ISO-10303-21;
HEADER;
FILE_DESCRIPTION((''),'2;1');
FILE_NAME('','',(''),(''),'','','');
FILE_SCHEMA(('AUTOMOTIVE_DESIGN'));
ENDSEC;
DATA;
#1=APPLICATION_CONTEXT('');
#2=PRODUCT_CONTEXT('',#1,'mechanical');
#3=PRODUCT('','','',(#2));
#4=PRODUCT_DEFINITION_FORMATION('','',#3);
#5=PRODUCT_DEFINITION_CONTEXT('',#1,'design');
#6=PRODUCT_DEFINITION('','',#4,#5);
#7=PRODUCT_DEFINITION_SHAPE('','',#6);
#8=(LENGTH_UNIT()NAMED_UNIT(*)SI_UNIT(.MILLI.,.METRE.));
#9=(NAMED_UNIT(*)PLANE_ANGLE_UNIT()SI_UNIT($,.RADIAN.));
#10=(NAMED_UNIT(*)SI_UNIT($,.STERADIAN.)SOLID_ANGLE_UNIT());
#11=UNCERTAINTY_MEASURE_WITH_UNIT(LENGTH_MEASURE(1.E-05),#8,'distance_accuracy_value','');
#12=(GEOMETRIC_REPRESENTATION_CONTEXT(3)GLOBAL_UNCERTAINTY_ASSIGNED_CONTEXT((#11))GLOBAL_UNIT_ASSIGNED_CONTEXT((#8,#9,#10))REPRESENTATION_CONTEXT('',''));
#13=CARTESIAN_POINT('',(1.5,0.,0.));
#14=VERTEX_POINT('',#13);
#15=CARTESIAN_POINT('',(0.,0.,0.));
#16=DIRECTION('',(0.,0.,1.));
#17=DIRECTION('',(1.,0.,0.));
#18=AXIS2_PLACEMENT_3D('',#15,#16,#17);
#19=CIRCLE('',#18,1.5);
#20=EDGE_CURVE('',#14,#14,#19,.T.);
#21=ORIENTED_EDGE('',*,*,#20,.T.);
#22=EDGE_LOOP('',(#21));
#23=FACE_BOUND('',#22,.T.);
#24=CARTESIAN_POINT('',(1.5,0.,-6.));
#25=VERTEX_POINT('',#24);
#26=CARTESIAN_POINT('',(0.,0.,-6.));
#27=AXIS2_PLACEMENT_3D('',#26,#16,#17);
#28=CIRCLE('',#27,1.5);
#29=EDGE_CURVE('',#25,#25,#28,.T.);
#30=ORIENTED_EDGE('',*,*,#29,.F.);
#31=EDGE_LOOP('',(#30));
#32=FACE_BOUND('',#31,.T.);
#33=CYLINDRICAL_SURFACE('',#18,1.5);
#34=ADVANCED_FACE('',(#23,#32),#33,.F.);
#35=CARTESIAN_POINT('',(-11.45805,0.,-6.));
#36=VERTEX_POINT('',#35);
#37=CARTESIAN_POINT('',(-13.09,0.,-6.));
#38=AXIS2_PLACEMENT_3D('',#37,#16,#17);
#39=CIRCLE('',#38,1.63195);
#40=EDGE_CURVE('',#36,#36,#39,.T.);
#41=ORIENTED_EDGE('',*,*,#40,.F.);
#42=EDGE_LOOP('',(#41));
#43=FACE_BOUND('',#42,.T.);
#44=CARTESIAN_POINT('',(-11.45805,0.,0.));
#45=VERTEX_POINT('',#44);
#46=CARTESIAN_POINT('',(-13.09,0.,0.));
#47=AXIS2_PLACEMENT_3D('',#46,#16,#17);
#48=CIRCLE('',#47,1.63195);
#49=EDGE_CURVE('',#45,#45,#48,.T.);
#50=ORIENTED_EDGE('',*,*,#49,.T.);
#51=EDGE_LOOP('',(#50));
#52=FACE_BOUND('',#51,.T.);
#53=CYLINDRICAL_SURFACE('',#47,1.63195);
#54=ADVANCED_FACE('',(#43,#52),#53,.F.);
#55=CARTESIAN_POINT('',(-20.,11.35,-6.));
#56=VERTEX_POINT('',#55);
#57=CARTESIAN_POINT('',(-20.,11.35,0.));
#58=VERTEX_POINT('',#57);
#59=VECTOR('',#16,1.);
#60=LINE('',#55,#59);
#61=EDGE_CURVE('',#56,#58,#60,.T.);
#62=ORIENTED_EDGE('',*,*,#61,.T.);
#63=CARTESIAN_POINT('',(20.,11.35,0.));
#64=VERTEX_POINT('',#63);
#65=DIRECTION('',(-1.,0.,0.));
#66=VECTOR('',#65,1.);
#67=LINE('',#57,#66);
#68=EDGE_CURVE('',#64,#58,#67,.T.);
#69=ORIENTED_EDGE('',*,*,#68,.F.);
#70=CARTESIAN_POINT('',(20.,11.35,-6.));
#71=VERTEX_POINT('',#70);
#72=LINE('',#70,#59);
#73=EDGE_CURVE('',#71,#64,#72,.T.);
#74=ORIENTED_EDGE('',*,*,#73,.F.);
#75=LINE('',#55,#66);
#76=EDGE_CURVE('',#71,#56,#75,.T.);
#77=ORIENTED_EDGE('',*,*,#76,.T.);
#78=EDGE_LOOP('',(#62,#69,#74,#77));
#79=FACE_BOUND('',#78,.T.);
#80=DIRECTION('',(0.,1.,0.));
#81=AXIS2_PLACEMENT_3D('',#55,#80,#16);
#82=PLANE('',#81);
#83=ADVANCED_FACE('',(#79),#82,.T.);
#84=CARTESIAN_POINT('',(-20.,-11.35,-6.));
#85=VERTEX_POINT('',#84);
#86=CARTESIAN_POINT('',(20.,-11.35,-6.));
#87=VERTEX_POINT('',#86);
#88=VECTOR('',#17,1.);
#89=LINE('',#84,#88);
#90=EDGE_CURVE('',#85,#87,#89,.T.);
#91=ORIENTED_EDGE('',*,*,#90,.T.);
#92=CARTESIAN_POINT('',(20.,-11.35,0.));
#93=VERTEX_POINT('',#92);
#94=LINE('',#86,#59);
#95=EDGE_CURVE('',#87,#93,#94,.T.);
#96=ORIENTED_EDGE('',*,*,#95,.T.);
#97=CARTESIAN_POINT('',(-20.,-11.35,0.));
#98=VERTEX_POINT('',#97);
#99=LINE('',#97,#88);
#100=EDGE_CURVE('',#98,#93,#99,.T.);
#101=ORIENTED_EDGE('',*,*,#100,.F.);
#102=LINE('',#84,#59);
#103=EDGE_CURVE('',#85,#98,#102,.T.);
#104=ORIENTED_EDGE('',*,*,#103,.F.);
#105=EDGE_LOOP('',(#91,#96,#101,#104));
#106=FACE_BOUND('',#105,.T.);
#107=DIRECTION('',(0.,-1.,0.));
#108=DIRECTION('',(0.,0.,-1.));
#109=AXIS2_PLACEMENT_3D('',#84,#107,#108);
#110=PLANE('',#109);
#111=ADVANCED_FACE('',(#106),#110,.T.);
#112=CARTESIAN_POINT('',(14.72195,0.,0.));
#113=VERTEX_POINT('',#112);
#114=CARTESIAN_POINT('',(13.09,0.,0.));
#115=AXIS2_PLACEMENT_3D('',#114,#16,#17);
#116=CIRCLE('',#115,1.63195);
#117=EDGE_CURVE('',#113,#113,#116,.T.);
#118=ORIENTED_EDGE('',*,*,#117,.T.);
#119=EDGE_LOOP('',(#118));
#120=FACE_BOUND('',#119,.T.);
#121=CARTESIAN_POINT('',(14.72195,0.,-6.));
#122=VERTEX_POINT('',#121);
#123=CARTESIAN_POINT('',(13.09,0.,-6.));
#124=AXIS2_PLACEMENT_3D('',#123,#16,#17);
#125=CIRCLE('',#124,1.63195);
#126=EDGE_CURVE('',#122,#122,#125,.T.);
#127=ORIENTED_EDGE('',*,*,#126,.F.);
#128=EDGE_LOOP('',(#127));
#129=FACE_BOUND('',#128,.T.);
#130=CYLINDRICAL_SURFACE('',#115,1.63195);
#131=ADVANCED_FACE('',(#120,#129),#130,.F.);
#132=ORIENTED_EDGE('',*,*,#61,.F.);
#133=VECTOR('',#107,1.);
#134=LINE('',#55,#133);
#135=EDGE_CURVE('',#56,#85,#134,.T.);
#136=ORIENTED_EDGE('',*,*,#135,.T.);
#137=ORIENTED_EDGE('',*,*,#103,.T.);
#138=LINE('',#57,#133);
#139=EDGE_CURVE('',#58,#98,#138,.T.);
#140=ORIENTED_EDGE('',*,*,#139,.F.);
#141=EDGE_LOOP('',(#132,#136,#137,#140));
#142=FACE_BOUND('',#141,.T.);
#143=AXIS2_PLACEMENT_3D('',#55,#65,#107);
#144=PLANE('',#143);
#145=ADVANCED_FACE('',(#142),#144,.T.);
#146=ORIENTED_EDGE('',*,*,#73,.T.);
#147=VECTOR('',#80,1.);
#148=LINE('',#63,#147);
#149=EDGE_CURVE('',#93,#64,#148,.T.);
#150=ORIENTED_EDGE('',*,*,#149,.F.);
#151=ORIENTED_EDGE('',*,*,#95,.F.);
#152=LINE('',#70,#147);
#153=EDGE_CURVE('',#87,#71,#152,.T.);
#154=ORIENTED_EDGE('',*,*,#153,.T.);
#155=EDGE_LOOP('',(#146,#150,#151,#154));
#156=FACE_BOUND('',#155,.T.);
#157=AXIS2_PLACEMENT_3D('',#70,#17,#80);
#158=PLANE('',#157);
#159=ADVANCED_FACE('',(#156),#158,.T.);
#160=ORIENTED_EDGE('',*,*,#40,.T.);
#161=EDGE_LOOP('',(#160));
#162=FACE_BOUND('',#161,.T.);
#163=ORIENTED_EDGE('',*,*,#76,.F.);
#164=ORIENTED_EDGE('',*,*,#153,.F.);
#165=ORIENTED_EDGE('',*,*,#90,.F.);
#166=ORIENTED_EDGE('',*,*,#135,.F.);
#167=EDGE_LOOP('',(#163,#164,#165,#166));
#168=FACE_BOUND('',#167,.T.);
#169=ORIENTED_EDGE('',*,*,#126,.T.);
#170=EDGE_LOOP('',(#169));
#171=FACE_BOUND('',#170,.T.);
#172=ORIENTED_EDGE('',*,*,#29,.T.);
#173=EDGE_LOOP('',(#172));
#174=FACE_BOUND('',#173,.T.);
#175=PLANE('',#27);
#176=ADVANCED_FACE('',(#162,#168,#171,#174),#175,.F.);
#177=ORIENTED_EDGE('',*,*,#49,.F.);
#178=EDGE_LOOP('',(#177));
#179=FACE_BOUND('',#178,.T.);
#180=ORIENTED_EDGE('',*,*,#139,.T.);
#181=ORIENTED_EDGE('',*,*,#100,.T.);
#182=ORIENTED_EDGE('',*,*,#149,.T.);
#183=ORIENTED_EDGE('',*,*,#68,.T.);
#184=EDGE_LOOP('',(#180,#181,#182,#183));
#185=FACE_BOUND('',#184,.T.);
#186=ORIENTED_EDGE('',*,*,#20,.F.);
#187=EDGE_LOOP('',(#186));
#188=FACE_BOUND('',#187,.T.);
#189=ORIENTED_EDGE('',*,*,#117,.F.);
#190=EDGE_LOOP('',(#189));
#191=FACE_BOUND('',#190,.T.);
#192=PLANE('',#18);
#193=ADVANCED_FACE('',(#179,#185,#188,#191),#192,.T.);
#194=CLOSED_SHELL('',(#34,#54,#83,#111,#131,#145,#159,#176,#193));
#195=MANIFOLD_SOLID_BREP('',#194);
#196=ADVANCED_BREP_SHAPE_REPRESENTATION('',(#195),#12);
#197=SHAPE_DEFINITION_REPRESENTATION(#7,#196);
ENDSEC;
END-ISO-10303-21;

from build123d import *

# Parameters (mm, degrees)
SKETCH1_W             = 40
SKETCH1_H             = 22.7
BOSS_EXTRUDE1_DEPTH   = 6
F_4_CLEARANCE_HOLE1_D = 3.2639
F_3_0MM_DOWEL_HOLE1_D = 3


with BuildPart() as part:
    # Sketch1 → Boss-Extrude1 (new body)
    with BuildSketch(Plane.XY):
        Rectangle(SKETCH1_W, SKETCH1_H)
    extrude(amount=-BOSS_EXTRUDE1_DEPTH)

    # #4 Clearance Hole1 (through all)
    with Locations(Plane.XY):
        with Locations((-13.09, 0), (13.09, 0)):
            Hole(F_4_CLEARANCE_HOLE1_D / 2)

    # Ø3.0mm Dowel Hole1 (through all)
    with Locations(Plane.XY):
        with Locations((0, 0)):
            Hole(F_3_0MM_DOWEL_HOLE1_D / 2)


solid = part.part
